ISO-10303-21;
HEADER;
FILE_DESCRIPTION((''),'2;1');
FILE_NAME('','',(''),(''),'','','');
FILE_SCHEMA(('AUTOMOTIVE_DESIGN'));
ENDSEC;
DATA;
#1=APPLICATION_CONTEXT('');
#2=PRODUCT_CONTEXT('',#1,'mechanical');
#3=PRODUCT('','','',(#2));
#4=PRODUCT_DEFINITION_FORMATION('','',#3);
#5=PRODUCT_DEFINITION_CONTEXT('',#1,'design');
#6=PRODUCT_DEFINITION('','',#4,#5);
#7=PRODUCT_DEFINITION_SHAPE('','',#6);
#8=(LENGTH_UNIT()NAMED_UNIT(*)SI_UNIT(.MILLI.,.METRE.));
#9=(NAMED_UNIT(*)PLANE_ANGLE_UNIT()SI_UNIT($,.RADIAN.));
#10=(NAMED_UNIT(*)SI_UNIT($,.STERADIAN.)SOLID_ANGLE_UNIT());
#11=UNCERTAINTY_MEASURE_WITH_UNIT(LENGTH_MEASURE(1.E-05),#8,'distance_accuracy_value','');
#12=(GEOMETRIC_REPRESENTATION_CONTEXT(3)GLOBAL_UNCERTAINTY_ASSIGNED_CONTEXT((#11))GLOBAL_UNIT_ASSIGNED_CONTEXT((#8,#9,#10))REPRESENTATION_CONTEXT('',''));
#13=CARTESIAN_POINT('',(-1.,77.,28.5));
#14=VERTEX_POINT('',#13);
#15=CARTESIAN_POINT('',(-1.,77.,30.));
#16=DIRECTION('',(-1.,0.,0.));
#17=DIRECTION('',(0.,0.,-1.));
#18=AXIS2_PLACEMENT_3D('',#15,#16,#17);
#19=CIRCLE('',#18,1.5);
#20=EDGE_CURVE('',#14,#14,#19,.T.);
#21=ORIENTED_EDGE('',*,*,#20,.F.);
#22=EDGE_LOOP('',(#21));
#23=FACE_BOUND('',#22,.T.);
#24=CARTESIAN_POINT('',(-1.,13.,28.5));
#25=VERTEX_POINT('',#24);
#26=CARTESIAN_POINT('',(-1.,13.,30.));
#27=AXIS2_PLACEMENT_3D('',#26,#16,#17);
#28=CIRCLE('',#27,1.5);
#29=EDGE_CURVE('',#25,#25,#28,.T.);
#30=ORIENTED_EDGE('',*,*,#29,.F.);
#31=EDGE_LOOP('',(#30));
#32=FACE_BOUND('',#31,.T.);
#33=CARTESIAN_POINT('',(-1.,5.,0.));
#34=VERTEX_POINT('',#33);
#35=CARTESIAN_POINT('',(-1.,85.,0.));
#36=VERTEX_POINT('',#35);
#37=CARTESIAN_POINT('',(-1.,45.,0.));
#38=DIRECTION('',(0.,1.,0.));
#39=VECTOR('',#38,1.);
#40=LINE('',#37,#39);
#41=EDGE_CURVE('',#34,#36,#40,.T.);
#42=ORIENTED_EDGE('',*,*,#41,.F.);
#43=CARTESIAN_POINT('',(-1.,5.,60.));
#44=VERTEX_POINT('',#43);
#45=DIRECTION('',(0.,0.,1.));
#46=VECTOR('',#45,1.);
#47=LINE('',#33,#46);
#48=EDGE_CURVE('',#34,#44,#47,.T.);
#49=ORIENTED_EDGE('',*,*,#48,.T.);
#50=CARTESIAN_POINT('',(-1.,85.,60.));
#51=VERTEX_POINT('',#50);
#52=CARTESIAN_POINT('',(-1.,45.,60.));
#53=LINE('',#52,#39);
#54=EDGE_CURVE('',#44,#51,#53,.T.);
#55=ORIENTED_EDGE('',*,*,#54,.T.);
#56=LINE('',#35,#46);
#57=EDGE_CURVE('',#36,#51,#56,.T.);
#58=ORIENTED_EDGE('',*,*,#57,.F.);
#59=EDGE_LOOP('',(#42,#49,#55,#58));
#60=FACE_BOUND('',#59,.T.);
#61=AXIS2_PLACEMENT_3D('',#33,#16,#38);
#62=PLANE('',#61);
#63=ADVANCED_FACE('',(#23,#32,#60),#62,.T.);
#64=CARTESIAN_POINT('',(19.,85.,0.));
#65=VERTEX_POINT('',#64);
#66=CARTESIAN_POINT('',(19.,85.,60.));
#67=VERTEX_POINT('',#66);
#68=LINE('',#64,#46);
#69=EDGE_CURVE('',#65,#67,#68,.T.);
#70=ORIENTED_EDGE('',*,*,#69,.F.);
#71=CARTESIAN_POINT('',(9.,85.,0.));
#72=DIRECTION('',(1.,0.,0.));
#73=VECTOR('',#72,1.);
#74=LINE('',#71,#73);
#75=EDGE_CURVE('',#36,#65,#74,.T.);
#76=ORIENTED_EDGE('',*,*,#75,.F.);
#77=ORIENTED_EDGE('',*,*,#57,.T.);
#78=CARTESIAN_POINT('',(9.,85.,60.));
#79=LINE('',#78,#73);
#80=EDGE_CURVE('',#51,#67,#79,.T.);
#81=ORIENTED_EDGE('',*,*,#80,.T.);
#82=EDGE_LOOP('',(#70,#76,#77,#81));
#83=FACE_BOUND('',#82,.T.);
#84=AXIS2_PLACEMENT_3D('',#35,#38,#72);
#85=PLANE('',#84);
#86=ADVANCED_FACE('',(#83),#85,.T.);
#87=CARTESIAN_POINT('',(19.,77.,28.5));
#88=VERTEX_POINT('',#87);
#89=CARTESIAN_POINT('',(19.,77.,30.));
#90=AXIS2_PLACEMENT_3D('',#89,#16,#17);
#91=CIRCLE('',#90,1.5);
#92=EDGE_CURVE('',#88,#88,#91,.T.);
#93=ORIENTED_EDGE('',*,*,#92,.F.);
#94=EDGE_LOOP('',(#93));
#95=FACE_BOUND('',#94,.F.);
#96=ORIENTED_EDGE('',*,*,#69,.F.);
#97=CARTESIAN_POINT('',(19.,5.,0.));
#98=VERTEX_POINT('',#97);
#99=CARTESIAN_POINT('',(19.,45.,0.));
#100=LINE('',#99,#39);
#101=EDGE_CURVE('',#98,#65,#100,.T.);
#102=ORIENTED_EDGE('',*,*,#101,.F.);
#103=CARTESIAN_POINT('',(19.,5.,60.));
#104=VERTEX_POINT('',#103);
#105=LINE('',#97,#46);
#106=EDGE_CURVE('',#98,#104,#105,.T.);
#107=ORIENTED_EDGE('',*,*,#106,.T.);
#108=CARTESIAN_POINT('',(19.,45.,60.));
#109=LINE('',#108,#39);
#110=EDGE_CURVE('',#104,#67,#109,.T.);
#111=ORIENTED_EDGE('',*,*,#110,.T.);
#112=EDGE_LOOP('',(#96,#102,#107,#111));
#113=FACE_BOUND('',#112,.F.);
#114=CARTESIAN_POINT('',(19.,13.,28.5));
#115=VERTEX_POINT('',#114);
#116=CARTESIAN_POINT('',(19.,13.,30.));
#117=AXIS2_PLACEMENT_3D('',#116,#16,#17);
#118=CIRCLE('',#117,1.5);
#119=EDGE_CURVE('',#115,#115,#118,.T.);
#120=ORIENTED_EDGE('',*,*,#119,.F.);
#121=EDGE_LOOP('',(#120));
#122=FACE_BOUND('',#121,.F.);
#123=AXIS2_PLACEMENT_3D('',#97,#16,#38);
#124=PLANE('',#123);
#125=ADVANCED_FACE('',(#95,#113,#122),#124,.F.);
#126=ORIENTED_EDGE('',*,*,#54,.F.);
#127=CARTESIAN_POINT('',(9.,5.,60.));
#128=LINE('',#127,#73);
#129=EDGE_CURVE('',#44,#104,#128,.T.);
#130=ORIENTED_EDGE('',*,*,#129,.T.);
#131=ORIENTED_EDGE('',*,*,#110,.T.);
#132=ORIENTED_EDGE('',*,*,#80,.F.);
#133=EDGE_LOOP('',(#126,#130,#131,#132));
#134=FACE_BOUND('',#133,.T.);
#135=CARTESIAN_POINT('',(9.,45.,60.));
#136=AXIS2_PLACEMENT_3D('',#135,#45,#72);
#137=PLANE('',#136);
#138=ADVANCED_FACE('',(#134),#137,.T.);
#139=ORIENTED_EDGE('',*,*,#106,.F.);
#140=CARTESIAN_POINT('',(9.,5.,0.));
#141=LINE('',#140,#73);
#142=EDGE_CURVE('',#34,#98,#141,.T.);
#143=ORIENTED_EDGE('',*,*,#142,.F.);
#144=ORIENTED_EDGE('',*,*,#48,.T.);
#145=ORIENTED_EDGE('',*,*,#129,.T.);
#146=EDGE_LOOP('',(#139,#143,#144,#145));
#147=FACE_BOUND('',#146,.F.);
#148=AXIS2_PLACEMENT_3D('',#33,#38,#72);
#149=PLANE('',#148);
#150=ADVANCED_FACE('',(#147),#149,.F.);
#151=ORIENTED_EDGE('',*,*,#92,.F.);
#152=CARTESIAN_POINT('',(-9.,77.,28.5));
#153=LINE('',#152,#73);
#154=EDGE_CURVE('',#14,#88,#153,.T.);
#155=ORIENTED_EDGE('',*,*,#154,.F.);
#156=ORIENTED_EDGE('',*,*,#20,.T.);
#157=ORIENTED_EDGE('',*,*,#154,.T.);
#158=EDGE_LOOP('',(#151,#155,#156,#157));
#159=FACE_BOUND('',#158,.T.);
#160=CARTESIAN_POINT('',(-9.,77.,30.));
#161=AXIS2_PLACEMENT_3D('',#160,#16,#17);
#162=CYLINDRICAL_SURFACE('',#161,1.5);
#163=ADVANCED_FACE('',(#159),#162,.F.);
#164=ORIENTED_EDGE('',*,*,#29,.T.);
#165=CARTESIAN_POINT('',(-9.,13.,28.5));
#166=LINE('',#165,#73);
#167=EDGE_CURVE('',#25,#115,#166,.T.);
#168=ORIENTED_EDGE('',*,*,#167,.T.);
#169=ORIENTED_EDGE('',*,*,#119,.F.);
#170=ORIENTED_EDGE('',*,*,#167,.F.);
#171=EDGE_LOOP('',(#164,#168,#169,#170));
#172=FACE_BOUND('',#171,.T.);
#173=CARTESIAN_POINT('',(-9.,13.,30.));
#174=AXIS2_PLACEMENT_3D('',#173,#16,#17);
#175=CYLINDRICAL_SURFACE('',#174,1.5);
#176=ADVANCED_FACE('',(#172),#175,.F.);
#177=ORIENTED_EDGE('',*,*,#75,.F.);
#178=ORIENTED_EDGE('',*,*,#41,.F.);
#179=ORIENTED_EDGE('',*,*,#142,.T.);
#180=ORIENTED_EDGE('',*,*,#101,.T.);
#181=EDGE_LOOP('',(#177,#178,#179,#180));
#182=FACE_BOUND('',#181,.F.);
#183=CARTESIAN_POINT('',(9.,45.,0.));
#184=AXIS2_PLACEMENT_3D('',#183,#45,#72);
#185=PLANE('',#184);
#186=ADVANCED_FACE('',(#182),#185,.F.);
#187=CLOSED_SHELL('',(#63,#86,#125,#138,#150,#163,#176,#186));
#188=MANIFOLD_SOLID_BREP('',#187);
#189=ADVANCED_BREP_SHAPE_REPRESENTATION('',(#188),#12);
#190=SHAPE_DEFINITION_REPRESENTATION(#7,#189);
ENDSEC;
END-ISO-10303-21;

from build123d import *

# Parameters (mm, degrees)
CYLINDER077_R     = 1.5
CYLINDER077_DEPTH = 50
CYLINDER078_R     = 1.5
CYLINDER078_DEPTH = 50
BOX002_W          = 20
BOX002_H          = 80
BOX002_DEPTH      = 60


with BuildPart() as cilindro077:
    # Cylinder077 → Cylinder077 (new body)
    with BuildSketch(Plane(origin=(-8, 8, 30), x_dir=(0, 0, -1), z_dir=(1, 0, 0))):
        Circle(CYLINDER077_R)
    extrude(amount=CYLINDER077_DEPTH)


with BuildPart() as fusion038:
    # Cylinder078 → Cylinder078 (new body)
    with BuildSketch(Plane(origin=(-8, 72, 30), x_dir=(0, 0, -1), z_dir=(1, 0, 0))):
        Circle(CYLINDER078_R)
    extrude(amount=CYLINDER078_DEPTH)

    # Fusion038: union Cilindro077
    add(cilindro077.part)


with BuildPart() as portapilasx006:
    # Box002 → Box002 (new body)
    with BuildSketch(Plane.XY):
        with Locations((10, 40)):
            Rectangle(BOX002_W, BOX002_H)
    extrude(amount=BOX002_DEPTH)

    # Cut002: cut Fusion038
    add(fusion038.part, mode=Mode.SUBTRACT)


with BuildPart() as portapilasx006_1:
    # Cut002 placement: moved
    add(portapilasx006.part.moved(Location((-1, 5, 0))))


solid = portapilasx006_1.part
